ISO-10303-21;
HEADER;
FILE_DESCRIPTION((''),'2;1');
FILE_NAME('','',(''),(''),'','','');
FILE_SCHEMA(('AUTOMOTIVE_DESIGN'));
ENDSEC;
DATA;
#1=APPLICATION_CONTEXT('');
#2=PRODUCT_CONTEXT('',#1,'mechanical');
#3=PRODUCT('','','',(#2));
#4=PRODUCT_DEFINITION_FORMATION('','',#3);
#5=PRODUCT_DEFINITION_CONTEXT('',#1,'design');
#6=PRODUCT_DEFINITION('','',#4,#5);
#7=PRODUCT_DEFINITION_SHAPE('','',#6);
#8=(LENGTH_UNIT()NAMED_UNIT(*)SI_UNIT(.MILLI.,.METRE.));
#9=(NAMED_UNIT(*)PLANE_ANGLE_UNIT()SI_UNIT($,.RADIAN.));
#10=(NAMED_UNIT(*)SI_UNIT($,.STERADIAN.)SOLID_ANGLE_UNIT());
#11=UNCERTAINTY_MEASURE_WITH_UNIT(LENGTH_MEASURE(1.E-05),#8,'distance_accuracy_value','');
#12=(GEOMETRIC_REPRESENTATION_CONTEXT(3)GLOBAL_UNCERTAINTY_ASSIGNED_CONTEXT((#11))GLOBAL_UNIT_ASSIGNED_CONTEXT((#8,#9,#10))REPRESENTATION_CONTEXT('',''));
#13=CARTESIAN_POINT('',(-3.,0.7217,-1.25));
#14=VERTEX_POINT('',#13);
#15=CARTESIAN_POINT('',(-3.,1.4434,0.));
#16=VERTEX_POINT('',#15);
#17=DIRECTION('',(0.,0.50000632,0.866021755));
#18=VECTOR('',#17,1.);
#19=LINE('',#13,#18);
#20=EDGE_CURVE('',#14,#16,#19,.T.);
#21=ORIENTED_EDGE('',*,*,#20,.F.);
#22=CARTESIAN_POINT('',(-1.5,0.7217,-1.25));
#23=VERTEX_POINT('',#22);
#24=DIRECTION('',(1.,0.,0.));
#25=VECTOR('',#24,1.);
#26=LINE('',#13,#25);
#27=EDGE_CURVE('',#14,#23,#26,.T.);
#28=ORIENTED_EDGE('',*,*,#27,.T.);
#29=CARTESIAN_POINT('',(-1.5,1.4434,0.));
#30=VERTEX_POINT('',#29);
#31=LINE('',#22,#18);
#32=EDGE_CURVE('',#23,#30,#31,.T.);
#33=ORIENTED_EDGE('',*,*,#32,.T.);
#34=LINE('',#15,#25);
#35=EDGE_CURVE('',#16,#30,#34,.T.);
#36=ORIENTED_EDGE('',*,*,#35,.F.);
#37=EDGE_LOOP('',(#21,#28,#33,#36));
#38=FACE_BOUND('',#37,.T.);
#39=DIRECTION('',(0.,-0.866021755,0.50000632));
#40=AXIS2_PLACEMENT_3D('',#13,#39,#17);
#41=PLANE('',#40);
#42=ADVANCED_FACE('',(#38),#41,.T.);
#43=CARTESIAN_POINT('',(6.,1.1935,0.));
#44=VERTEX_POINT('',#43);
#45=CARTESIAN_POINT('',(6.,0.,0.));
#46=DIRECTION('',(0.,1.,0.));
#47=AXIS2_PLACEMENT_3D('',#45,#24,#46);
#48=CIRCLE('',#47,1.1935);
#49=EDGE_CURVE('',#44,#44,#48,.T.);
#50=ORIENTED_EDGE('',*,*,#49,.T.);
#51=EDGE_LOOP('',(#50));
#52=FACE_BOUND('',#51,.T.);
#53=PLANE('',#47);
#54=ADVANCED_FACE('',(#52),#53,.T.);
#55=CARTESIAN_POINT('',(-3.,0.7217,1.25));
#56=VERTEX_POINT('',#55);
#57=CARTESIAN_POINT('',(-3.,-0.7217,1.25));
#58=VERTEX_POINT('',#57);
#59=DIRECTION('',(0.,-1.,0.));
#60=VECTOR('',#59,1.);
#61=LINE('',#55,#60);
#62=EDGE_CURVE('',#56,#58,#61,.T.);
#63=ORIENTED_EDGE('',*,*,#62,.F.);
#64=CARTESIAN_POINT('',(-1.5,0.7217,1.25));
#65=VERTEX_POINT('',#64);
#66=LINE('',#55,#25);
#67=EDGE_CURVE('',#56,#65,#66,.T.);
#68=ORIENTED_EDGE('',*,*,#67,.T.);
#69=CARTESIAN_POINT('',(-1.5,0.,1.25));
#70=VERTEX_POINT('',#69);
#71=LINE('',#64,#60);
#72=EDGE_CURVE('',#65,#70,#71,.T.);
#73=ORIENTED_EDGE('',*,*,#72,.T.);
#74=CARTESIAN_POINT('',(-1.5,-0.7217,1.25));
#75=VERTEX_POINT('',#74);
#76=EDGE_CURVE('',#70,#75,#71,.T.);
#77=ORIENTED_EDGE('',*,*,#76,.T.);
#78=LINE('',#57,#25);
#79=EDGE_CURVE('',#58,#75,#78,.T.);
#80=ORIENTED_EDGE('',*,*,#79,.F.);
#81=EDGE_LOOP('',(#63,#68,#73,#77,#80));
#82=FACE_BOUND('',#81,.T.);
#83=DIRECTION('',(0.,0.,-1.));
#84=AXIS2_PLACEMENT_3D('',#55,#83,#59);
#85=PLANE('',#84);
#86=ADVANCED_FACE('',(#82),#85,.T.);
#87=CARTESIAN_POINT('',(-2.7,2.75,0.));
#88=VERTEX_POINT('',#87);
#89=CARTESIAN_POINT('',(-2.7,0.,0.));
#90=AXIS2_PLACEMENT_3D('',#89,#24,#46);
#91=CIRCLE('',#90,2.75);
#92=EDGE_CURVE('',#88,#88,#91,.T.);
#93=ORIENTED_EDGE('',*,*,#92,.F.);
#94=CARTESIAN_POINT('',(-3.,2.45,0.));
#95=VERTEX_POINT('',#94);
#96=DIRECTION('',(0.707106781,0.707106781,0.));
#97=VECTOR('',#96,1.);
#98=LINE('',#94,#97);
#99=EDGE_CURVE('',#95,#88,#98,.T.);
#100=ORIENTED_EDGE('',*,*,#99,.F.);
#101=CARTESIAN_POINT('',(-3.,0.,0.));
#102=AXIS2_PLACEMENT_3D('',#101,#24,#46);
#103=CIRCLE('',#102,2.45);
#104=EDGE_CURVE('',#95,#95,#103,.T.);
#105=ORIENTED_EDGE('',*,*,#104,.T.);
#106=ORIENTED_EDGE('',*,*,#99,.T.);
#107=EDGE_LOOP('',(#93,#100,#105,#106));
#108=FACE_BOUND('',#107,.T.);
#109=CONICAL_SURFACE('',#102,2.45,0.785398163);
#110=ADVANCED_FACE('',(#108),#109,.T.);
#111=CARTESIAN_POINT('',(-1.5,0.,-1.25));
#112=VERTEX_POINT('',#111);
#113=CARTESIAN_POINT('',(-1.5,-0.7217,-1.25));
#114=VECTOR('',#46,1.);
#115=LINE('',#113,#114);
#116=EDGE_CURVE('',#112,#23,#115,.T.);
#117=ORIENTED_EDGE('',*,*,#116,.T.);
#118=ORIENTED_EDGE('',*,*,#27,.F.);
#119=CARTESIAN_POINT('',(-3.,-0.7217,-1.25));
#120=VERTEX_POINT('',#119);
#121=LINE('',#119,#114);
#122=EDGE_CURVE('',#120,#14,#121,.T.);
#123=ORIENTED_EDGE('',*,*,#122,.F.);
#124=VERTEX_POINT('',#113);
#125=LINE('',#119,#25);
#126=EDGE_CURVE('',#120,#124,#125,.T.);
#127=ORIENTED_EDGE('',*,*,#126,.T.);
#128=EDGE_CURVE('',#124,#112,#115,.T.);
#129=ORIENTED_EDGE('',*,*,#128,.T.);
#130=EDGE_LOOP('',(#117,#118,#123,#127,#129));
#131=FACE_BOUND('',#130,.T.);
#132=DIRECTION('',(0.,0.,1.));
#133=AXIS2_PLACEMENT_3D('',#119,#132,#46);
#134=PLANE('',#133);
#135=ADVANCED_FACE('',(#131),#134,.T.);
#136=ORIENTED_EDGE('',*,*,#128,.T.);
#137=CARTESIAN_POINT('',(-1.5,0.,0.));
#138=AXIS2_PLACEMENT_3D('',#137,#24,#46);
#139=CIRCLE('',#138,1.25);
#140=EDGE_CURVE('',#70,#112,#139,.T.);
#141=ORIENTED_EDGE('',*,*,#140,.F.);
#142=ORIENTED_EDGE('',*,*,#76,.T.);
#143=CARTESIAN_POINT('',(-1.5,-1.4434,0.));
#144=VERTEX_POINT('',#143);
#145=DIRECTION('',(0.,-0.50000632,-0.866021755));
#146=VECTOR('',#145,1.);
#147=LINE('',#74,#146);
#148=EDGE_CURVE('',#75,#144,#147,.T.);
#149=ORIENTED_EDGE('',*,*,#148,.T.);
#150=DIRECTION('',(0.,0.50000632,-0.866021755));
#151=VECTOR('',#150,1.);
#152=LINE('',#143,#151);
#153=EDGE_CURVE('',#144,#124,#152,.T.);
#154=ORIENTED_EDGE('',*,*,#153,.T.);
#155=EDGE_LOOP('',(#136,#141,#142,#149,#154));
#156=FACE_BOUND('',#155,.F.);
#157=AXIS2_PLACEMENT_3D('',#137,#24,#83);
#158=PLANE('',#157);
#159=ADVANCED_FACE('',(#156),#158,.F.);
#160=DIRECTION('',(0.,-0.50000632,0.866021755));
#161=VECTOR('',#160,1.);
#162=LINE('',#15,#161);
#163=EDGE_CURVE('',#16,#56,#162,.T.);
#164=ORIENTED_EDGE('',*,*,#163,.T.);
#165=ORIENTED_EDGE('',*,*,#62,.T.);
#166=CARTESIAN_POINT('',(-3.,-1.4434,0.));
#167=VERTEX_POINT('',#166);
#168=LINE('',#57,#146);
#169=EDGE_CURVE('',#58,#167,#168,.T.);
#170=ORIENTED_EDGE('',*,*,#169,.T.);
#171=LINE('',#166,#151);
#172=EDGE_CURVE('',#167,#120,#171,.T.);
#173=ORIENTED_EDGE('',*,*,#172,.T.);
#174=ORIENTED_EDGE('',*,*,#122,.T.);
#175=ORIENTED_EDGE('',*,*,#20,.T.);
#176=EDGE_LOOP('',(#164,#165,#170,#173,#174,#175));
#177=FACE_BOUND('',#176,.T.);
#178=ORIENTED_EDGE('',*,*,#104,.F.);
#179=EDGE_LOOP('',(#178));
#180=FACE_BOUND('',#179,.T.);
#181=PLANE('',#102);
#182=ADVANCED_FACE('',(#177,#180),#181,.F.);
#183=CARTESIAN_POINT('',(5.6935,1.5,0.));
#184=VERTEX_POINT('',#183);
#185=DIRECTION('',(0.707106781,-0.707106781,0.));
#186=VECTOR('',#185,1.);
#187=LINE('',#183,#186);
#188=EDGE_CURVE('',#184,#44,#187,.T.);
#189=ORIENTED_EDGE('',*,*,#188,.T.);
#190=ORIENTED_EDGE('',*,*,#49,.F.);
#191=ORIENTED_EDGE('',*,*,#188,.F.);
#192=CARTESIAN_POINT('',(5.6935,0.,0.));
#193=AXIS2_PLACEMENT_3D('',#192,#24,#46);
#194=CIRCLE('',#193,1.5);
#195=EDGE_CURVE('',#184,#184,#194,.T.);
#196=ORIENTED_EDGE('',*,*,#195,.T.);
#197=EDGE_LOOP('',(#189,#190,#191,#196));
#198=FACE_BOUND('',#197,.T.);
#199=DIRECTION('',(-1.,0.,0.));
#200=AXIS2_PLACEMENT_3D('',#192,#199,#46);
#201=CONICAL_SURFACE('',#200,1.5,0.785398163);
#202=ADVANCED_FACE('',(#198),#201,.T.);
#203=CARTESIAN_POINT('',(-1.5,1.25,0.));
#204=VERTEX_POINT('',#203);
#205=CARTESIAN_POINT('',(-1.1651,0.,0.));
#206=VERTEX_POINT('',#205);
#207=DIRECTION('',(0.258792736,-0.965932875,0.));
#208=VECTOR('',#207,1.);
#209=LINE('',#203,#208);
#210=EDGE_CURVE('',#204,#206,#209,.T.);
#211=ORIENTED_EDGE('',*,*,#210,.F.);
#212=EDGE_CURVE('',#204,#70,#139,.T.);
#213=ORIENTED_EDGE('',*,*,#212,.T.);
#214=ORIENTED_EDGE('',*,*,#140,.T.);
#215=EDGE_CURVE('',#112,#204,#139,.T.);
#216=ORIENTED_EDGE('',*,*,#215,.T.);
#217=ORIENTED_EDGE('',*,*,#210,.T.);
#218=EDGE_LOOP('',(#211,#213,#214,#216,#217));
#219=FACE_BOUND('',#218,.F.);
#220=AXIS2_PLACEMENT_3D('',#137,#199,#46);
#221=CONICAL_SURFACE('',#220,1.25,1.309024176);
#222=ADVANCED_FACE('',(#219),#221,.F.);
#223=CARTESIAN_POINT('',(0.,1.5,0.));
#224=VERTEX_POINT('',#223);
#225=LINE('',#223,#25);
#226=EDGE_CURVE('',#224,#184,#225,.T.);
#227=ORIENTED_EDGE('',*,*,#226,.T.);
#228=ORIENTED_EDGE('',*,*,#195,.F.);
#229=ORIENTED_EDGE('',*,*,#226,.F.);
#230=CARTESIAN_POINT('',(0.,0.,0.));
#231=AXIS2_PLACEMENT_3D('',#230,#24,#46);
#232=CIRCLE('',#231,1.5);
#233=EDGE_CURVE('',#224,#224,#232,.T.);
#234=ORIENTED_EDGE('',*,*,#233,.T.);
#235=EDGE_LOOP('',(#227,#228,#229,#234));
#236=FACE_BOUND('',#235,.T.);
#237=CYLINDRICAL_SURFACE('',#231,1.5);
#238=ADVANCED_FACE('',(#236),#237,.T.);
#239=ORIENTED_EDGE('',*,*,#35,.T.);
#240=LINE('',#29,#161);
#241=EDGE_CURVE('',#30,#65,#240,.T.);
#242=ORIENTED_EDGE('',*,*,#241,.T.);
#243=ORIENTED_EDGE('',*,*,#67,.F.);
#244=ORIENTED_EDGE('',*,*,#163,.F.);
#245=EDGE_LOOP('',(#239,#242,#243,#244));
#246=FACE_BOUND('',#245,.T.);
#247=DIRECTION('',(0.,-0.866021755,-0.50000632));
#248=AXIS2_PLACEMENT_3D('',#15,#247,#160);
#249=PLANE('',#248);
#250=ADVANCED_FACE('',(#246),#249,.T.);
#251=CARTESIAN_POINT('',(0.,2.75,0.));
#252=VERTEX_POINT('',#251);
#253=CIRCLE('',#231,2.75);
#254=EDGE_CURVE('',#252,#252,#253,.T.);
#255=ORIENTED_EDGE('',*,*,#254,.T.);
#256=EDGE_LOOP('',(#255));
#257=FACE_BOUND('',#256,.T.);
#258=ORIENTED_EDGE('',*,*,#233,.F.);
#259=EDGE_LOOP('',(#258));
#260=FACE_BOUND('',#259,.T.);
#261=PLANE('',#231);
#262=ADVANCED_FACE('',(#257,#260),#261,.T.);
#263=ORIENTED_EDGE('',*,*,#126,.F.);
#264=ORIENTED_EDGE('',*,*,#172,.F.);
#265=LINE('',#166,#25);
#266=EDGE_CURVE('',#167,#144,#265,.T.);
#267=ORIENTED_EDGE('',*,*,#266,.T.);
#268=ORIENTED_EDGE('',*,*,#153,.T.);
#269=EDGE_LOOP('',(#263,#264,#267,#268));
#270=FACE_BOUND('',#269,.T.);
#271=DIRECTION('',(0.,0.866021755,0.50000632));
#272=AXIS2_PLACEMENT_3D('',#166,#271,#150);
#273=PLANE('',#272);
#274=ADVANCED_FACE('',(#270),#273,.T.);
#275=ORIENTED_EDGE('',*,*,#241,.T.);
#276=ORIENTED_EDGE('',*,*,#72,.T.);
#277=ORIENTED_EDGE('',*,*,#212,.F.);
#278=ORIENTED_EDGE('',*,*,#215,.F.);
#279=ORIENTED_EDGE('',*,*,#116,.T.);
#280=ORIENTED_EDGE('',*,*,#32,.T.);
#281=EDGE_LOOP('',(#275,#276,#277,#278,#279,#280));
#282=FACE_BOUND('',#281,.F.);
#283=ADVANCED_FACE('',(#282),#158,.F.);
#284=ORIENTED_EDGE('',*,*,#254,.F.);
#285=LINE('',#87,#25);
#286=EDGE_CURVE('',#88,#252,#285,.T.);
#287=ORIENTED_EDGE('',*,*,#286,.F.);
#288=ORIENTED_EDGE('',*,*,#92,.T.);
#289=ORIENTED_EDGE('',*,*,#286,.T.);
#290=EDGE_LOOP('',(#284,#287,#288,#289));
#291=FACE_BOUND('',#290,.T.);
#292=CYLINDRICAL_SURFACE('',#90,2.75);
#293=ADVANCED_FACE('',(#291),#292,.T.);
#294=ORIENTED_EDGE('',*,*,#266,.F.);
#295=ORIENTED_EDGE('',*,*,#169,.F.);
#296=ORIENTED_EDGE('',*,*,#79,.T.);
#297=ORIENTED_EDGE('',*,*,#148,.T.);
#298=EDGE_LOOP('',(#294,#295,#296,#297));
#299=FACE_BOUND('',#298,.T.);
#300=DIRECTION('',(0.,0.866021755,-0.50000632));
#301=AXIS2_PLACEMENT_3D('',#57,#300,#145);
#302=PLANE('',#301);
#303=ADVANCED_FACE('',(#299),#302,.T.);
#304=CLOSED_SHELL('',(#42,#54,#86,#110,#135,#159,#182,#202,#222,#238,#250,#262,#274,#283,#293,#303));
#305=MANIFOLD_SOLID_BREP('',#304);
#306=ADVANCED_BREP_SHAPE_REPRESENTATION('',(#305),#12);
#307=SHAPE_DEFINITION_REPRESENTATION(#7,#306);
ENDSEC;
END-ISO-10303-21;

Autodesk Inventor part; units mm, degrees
sketch "Sketch_1" plane through (0, 0, 0) normal (0, 0, 1) x (1, 0, 0)
  line L0 (6, 0) -> (-3, 0)
  line L1 (-3, 0) -> (-3, 2.45)
  line L2 (-3, 2.45) -> (-2.7, 2.75)
  line L3 (-2.7, 2.75) -> (0, 2.75)
  line L4 (0, 2.75) -> (0, 1.5)
  line L5 (0, 1.5) -> (5.6935, 1.5)
  line L6 (5.6935, 1.5) -> (6, 1.1935)
  line L7 (6, 1.1935) -> (6, 0)
  line L8 (6, 0) -> (-3, 0)
revolve "Revolution1" add sketch "Sketch_1" angle 360 about axis through (6, 0, 0) along (1, 0, 0)
thread "Thread1" size "M3x0.5" class "6g" standard "ISO Metric profile" length 5.5 offset 0.5
sketch "Sketch_4" plane through (0, 0, 0) normal (0, 0, 1) x (1, 0, 0)
  line L0 (-1.1651, 0) -> (-3, 0)
  line L1 (-3, 0) -> (-3, 1.25)
  line L2 (-3, 1.25) -> (-1.5, 1.25)
  line L3 (-1.5, 1.25) -> (-1.1651, 0)
  line L4 (-1.1651, 0) -> (-3, 0)
revolve "Revolution2" cut sketch "Sketch_4" angle 360 about axis through (-1.1651, 0, 0) along (1, 0, 0)
sketch "Sketch_3" plane through (-3, 0, 0) normal (1, 0, 0) x (0, 0, -1)
  line L0 (-1.25, 0.7217) -> (-1.25, -0.7217)
  line L1 (-1.25, -0.7217) -> (0, -1.4434)
  line L2 (0, -1.4434) -> (1.25, -0.7217)
  line L3 (1.25, -0.7217) -> (1.25, 0.7217)
  line L4 (1.25, 0.7217) -> (0, 1.4434)
  line L5 (0, 1.4434) -> (-1.25, 0.7217)
extrude "Extrusion1" cut sketch "Sketch_3" along normal blind 1.5
ref_plane "nut_XY" through (6, 0, 0) normal (1, 0, 0) x (0, 0, -1)
ref_plane "nut_YZ" through (6, 0, 0) normal (0, 0, -1) x (0, 1, 0)
ref_plane "nut_ZX" through (6, 0, 0) normal (0, 1, 0) x (1, 0, 0)
ref_plane "bolt_XY" through (0, 0, 0) normal (1, 0, 0) x (0, 0, -1)
ref_plane "bolt_YZ" through (0, 0, 0) normal (0, 0, -1) x (0, 1, 0)
ref_plane "bolt_ZX" through (0, 0, 0) normal (0, 1, 0) x (1, 0, 0)
properties part number "SCB3-6_1"
